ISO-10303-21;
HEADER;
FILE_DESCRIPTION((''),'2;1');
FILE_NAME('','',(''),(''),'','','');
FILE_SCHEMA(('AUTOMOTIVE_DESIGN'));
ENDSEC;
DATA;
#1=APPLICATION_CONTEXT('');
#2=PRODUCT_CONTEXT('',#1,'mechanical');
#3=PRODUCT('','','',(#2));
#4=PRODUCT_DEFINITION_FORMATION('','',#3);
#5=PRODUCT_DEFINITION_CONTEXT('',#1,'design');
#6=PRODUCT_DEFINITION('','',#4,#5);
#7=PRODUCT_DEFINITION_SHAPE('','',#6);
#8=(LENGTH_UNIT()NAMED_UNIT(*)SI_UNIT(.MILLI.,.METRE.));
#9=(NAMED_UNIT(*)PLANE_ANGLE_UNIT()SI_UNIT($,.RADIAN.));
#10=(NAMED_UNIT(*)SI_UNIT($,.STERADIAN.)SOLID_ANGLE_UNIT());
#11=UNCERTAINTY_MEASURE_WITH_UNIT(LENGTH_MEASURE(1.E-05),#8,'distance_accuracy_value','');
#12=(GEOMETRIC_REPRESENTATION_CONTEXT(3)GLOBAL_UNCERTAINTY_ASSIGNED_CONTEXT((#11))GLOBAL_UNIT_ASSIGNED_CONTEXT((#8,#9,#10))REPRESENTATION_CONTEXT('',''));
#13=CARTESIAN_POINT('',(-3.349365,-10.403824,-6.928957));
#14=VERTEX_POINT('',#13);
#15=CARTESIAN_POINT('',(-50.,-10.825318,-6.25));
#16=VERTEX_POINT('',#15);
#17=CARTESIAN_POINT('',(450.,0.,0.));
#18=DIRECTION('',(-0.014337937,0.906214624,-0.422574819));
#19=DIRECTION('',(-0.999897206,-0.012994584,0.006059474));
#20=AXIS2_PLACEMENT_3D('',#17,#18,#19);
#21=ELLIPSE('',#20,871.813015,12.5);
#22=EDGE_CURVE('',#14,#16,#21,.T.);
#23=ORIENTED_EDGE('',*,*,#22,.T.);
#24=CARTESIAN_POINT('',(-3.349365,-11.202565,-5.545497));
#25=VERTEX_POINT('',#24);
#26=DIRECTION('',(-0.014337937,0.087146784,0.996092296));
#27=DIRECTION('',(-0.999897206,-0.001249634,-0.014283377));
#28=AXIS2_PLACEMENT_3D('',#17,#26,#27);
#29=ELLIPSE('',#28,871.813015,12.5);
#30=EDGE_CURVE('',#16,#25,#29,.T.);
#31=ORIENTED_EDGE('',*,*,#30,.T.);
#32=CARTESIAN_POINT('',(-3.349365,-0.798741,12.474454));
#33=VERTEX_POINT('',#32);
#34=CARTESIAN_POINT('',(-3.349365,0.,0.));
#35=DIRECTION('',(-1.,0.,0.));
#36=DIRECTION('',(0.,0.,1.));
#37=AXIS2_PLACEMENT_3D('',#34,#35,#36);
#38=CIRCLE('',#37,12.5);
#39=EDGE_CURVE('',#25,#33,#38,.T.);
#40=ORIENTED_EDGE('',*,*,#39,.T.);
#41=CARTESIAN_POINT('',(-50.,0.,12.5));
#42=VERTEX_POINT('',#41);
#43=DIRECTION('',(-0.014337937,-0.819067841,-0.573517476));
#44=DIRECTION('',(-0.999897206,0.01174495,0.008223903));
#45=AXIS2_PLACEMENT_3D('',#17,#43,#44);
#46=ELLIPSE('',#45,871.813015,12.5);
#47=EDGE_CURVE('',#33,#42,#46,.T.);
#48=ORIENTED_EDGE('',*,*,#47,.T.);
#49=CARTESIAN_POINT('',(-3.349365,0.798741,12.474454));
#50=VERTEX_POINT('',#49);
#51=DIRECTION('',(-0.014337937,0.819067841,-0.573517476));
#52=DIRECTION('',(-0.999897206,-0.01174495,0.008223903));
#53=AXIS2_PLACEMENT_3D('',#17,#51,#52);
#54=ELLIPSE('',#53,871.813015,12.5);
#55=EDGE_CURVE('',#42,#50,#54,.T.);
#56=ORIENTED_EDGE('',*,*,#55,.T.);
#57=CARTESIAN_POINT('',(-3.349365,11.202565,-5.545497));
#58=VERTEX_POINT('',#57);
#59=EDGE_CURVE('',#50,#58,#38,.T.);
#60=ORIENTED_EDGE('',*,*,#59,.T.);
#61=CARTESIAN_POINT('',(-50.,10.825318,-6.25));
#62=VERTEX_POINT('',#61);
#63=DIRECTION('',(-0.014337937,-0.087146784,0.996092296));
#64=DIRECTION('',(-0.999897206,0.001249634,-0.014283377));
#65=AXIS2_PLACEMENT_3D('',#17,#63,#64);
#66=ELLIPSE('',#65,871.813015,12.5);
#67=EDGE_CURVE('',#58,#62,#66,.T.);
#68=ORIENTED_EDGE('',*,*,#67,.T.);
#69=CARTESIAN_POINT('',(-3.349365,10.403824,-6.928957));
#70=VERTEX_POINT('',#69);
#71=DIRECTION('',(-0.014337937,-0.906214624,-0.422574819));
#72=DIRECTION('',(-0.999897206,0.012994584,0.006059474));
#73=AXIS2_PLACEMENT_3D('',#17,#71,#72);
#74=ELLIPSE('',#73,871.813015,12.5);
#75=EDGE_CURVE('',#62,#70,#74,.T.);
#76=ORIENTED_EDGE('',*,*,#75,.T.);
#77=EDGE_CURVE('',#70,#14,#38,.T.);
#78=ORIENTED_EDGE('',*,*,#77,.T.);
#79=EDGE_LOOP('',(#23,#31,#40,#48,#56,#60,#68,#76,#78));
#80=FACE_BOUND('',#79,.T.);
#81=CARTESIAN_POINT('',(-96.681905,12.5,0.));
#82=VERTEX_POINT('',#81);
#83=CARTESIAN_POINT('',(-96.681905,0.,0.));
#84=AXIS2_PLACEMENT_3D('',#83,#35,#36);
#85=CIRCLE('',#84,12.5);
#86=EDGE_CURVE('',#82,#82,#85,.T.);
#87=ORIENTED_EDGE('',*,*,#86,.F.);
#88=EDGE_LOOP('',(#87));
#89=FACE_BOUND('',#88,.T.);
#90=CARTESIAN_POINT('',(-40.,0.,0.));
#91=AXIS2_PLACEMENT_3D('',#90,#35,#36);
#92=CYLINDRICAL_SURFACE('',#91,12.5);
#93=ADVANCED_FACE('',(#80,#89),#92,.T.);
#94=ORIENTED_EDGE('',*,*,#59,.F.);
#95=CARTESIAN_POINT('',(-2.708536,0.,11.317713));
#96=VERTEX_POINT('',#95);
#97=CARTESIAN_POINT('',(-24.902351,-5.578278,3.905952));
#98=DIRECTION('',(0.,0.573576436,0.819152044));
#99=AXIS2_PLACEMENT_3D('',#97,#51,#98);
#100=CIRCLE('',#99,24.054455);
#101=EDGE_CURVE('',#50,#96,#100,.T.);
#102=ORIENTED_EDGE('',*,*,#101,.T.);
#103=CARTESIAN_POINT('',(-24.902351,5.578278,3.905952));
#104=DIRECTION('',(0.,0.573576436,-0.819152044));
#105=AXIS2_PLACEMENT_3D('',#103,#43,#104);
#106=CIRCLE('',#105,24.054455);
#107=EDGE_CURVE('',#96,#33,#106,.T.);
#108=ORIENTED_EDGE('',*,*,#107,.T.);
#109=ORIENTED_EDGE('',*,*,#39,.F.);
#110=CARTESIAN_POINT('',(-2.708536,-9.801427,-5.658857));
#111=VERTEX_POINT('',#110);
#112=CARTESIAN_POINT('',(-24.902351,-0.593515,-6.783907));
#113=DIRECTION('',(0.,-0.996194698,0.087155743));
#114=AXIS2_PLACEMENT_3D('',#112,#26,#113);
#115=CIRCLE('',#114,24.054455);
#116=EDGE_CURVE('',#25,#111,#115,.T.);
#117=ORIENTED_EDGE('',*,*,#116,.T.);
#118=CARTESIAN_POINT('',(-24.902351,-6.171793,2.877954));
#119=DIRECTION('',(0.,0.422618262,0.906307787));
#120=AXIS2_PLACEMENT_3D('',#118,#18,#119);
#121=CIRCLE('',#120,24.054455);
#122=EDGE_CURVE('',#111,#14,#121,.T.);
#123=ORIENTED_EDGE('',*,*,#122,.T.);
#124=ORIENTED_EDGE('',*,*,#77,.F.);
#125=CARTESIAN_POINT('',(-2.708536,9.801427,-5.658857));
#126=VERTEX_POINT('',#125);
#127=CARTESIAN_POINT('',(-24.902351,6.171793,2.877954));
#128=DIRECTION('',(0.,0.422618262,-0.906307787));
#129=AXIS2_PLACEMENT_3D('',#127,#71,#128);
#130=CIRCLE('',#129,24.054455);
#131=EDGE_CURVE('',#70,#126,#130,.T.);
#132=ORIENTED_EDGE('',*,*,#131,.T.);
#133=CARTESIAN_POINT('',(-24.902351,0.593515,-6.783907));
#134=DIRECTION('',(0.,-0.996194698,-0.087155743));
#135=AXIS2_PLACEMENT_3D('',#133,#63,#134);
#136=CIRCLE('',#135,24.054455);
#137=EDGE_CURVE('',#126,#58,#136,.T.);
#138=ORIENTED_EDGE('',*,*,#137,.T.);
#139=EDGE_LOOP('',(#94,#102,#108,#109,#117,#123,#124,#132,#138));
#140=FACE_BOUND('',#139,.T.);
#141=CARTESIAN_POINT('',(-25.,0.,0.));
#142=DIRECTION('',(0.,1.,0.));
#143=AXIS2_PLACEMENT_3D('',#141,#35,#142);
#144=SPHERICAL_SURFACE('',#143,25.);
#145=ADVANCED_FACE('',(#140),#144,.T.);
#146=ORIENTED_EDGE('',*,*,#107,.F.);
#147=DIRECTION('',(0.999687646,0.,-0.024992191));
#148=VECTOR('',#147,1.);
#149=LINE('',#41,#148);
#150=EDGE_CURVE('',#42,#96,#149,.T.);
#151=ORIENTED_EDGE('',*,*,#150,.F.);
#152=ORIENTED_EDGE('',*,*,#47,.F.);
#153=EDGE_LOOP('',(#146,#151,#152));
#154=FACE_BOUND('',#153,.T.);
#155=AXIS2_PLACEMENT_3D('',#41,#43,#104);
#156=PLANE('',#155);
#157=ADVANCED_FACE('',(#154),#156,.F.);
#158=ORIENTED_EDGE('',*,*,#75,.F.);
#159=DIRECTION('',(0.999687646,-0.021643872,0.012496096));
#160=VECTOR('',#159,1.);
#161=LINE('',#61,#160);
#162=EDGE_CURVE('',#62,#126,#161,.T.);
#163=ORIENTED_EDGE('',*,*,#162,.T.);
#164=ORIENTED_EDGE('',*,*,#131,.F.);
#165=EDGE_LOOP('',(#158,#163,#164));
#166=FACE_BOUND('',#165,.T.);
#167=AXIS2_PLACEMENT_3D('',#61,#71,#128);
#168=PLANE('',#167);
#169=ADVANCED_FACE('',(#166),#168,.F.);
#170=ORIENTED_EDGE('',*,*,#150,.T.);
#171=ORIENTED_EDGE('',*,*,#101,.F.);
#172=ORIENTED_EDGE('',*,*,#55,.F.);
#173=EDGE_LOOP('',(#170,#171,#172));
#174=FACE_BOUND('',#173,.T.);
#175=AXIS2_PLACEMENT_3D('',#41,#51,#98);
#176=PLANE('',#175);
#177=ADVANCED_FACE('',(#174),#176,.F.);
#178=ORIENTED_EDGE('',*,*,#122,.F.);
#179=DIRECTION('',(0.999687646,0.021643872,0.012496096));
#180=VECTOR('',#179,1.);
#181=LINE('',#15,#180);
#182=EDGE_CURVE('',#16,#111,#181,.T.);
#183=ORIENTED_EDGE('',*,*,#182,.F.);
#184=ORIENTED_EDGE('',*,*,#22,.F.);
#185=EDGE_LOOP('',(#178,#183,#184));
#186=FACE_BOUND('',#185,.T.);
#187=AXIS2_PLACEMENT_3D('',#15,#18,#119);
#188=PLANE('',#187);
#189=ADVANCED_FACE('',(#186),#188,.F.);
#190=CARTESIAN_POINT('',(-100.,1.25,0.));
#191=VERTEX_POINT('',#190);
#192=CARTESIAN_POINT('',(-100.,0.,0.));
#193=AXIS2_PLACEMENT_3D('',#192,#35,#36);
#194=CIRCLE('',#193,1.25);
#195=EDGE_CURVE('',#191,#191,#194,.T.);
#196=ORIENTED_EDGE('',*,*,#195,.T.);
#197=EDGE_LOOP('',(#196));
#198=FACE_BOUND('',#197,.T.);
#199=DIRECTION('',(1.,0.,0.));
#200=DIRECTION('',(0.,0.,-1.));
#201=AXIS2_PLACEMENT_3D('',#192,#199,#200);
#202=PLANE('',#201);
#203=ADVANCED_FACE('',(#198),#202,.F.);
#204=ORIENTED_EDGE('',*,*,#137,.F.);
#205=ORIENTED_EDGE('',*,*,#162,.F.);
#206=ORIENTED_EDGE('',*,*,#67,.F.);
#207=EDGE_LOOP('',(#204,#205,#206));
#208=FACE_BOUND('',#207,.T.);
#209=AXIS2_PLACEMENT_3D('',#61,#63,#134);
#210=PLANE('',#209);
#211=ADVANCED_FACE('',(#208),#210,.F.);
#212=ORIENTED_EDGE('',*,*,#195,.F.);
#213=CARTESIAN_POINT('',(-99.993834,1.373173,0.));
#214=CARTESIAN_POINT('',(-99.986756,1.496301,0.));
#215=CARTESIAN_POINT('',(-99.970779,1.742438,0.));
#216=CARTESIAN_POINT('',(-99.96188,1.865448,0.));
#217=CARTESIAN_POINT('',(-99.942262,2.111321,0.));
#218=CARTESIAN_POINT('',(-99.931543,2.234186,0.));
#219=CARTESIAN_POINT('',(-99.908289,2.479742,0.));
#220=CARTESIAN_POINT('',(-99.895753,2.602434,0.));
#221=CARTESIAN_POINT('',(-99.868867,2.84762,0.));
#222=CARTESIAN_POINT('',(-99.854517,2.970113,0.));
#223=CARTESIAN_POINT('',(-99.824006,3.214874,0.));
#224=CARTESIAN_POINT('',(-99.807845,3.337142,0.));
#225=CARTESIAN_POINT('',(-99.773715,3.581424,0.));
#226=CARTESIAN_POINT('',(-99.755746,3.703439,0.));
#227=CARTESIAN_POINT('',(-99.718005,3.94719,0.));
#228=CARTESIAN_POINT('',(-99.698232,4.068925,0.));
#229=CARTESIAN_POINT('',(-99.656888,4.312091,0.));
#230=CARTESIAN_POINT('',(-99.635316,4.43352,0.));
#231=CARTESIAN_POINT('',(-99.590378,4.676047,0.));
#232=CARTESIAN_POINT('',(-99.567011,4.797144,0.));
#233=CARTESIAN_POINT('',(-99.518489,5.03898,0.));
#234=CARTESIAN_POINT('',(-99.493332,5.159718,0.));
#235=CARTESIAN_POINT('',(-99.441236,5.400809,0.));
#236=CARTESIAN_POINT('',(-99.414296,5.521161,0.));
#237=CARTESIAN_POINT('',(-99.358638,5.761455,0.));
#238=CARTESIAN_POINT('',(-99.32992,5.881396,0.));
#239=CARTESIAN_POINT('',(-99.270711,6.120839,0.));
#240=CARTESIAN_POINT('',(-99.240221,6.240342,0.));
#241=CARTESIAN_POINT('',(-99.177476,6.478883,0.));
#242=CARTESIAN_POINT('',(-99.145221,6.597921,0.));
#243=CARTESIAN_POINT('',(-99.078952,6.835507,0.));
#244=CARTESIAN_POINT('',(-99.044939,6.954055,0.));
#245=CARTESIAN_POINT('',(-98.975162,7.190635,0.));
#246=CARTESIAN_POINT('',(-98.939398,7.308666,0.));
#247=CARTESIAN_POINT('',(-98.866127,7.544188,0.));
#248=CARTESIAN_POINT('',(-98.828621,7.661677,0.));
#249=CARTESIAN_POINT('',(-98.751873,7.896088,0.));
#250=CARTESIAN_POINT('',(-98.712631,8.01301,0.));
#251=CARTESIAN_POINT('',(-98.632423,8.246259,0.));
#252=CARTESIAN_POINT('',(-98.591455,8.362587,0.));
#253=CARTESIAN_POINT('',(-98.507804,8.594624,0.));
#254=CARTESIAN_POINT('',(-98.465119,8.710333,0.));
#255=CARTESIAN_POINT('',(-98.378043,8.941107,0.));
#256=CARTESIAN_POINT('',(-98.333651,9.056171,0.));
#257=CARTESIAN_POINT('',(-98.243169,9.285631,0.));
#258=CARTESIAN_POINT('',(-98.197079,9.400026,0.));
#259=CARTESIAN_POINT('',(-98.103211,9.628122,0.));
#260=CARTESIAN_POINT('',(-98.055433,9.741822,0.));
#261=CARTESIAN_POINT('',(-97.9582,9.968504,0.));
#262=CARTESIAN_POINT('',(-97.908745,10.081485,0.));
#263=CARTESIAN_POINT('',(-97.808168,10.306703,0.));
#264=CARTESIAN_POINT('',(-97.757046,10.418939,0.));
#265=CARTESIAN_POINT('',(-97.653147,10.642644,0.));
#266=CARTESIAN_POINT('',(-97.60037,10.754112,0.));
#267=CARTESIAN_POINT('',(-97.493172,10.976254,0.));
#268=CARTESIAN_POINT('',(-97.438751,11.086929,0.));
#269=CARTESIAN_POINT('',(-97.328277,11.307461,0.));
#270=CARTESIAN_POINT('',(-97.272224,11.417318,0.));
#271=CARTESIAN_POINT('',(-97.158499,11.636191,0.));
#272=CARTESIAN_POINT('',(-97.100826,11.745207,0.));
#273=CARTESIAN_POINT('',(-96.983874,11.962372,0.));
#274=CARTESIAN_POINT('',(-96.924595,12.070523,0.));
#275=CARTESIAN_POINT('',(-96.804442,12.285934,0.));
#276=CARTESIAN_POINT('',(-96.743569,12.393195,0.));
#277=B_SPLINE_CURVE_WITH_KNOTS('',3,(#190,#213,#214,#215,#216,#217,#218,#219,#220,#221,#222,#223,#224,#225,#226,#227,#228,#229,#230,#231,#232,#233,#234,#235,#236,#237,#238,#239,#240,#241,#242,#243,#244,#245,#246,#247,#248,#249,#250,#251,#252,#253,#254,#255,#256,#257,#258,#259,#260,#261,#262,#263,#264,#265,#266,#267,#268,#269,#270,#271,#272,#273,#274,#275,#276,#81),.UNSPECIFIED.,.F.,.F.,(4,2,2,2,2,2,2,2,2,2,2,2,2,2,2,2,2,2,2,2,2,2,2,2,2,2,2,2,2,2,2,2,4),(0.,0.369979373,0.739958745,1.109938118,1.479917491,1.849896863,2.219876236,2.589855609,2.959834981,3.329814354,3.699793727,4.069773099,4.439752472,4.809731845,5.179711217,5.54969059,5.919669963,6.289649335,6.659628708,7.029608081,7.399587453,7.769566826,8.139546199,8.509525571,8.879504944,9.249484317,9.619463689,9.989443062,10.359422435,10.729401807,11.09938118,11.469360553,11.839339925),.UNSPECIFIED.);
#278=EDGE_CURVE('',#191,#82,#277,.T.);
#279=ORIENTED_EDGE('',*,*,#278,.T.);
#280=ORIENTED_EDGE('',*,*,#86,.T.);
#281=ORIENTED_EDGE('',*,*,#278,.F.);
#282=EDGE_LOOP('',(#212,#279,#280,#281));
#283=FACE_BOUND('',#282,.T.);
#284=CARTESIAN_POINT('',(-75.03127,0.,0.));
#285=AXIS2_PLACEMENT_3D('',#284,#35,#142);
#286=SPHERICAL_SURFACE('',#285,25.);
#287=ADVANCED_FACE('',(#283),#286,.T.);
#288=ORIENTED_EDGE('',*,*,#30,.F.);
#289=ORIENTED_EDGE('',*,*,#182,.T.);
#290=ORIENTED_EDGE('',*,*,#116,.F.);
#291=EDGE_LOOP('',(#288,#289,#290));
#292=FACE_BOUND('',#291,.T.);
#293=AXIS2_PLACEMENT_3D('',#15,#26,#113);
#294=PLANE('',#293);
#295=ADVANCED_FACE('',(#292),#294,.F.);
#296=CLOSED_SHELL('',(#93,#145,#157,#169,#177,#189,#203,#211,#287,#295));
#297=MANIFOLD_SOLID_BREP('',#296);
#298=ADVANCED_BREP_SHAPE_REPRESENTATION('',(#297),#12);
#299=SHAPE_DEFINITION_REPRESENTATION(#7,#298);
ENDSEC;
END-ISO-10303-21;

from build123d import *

# Parameters (mm, degrees)
CIRPATTERN1_COUNT = 3


with BuildPart() as part:
    # Sketch1 → Base-Revolve (revolve)
    with BuildSketch(Plane.XY):
        with BuildLine():
            Line((-100, 0), (-100, 1.25))
            ThreePointArc((-100, 1.25), (-99.010050505, 7.072345027), (-96.68190465, 12.5))
            Line((-96.68190465, 12.5), (-3.349364905, 12.5))
            ThreePointArc((-3.349364905, 12.5), (-0.851854343, 6.470476128), (0, 0))
            Line((0, 0), (-100, 0))
        make_face()
    revolve(axis=Axis((-40, 0, 0), (1, 0, 0)))

    # Cut-Sweep1: sweep along a path in Sketch4
    with BuildLine(Plane(origin=(0, 0, 0), x_dir=(1, 0, 0), z_dir=(0, 1, 0))) as cut_sweep1_path:
        Line((0, -11.25), (-50, -12.5))
    # Sketch2 → Cut-Sweep1 (sweep, cut)
    with BuildSketch(Plane(origin=(0, 0, 0), x_dir=(0, 0, -1), z_dir=(1, 0, 0))):
        Polygon((-11.25, 0), (-12.5, 0.875259423), (-12.5, -0.875259423), align=None)
    cut_sweep1 = sweep(path=cut_sweep1_path.line, mode=Mode.SUBTRACT)

    # CirPattern1: Cut-Sweep1 ×3 about axis
    cirpattern1_axis = Axis((0, 0, 0), (1, 0, 0))
    for i in range(1, CIRPATTERN1_COUNT):
        add(cut_sweep1.rotate(cirpattern1_axis, i * 360 / CIRPATTERN1_COUNT), mode=Mode.SUBTRACT)


solid = part.part
